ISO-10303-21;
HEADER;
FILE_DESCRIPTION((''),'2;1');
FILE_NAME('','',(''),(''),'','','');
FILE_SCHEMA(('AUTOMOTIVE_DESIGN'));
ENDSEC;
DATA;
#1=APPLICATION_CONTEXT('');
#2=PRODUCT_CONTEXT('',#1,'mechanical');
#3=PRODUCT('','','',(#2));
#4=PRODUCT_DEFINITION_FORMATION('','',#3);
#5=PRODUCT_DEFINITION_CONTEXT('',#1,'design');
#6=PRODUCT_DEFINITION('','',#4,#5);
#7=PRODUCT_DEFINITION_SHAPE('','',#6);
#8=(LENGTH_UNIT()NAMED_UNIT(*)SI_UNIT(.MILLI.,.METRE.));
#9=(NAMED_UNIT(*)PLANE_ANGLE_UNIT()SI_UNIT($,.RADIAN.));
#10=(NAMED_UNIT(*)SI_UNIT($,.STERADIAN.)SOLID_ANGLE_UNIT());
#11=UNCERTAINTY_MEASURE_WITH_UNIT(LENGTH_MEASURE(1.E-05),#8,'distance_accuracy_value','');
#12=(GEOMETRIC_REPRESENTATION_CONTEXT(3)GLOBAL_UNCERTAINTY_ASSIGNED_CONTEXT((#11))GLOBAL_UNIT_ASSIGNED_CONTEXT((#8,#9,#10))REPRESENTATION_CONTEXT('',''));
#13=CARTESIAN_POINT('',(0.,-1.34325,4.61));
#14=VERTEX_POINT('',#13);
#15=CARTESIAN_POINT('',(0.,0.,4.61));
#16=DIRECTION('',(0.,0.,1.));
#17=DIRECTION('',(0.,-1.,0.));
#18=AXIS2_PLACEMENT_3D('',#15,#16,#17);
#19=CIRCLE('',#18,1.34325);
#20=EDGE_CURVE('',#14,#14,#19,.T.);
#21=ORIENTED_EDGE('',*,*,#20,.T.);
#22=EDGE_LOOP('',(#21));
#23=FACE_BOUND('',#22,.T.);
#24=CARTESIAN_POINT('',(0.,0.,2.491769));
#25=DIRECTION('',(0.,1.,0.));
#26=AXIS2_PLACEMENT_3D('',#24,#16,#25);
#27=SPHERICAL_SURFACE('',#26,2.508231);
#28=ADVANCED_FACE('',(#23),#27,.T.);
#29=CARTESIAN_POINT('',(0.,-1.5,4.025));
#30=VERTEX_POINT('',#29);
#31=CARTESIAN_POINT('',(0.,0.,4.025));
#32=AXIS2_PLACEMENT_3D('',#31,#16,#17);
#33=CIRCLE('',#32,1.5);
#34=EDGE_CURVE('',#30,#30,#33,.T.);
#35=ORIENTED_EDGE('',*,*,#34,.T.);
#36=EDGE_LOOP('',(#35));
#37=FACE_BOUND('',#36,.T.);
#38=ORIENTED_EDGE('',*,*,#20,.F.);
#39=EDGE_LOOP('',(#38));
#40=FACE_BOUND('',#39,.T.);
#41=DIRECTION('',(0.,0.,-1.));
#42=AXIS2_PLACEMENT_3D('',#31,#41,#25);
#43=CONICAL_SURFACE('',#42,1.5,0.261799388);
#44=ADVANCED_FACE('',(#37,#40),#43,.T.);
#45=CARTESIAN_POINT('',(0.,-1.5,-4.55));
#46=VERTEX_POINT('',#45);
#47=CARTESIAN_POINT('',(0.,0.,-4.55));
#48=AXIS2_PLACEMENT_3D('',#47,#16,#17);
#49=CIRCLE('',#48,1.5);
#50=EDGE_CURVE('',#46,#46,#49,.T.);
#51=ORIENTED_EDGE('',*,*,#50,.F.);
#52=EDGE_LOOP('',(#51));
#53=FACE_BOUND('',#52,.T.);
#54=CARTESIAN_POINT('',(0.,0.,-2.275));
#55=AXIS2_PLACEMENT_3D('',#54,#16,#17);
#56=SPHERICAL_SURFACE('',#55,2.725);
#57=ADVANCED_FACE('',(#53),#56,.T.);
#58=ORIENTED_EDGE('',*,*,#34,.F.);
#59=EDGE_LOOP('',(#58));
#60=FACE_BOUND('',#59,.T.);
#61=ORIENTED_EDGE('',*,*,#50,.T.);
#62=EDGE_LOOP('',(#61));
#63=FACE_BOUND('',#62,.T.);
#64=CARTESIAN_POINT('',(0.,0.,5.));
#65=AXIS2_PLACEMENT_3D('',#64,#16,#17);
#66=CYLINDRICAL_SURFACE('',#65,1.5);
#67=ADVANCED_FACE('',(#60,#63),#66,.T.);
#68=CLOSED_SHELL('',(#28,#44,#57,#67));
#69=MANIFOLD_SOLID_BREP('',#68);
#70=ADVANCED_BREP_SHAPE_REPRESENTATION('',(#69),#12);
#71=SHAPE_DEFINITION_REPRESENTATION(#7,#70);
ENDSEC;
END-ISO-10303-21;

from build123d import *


with BuildPart() as part:
    # Sketch3 → Revolve1 (revolve)
    with BuildSketch(Plane(origin=(0, 0, 0), x_dir=(0, 0, -1), z_dir=(1, 0, 0)), mode=Mode.PRIVATE) as revolve1_sk:
        with BuildLine():
            Line((-5, 0), (5, 0))
            ThreePointArc((5, 0), (4.885076627, 0.783022988), (4.55, 1.5))
            Line((4.55, 1.5), (-4.025, 1.5))
            Line((-4.025, 1.5), (-4.61, 1.343249722))
            ThreePointArc((-4.61, 1.343249722), (-4.90052754, 0.699360389), (-5, 0))
        make_face()
    revolve(revolve1_sk.sketch.rotate(Axis((0, 0, 5), (0, 0, -1)), 180), axis=Axis((0, 0, 5), (0, 0, -1)))


solid = part.part
